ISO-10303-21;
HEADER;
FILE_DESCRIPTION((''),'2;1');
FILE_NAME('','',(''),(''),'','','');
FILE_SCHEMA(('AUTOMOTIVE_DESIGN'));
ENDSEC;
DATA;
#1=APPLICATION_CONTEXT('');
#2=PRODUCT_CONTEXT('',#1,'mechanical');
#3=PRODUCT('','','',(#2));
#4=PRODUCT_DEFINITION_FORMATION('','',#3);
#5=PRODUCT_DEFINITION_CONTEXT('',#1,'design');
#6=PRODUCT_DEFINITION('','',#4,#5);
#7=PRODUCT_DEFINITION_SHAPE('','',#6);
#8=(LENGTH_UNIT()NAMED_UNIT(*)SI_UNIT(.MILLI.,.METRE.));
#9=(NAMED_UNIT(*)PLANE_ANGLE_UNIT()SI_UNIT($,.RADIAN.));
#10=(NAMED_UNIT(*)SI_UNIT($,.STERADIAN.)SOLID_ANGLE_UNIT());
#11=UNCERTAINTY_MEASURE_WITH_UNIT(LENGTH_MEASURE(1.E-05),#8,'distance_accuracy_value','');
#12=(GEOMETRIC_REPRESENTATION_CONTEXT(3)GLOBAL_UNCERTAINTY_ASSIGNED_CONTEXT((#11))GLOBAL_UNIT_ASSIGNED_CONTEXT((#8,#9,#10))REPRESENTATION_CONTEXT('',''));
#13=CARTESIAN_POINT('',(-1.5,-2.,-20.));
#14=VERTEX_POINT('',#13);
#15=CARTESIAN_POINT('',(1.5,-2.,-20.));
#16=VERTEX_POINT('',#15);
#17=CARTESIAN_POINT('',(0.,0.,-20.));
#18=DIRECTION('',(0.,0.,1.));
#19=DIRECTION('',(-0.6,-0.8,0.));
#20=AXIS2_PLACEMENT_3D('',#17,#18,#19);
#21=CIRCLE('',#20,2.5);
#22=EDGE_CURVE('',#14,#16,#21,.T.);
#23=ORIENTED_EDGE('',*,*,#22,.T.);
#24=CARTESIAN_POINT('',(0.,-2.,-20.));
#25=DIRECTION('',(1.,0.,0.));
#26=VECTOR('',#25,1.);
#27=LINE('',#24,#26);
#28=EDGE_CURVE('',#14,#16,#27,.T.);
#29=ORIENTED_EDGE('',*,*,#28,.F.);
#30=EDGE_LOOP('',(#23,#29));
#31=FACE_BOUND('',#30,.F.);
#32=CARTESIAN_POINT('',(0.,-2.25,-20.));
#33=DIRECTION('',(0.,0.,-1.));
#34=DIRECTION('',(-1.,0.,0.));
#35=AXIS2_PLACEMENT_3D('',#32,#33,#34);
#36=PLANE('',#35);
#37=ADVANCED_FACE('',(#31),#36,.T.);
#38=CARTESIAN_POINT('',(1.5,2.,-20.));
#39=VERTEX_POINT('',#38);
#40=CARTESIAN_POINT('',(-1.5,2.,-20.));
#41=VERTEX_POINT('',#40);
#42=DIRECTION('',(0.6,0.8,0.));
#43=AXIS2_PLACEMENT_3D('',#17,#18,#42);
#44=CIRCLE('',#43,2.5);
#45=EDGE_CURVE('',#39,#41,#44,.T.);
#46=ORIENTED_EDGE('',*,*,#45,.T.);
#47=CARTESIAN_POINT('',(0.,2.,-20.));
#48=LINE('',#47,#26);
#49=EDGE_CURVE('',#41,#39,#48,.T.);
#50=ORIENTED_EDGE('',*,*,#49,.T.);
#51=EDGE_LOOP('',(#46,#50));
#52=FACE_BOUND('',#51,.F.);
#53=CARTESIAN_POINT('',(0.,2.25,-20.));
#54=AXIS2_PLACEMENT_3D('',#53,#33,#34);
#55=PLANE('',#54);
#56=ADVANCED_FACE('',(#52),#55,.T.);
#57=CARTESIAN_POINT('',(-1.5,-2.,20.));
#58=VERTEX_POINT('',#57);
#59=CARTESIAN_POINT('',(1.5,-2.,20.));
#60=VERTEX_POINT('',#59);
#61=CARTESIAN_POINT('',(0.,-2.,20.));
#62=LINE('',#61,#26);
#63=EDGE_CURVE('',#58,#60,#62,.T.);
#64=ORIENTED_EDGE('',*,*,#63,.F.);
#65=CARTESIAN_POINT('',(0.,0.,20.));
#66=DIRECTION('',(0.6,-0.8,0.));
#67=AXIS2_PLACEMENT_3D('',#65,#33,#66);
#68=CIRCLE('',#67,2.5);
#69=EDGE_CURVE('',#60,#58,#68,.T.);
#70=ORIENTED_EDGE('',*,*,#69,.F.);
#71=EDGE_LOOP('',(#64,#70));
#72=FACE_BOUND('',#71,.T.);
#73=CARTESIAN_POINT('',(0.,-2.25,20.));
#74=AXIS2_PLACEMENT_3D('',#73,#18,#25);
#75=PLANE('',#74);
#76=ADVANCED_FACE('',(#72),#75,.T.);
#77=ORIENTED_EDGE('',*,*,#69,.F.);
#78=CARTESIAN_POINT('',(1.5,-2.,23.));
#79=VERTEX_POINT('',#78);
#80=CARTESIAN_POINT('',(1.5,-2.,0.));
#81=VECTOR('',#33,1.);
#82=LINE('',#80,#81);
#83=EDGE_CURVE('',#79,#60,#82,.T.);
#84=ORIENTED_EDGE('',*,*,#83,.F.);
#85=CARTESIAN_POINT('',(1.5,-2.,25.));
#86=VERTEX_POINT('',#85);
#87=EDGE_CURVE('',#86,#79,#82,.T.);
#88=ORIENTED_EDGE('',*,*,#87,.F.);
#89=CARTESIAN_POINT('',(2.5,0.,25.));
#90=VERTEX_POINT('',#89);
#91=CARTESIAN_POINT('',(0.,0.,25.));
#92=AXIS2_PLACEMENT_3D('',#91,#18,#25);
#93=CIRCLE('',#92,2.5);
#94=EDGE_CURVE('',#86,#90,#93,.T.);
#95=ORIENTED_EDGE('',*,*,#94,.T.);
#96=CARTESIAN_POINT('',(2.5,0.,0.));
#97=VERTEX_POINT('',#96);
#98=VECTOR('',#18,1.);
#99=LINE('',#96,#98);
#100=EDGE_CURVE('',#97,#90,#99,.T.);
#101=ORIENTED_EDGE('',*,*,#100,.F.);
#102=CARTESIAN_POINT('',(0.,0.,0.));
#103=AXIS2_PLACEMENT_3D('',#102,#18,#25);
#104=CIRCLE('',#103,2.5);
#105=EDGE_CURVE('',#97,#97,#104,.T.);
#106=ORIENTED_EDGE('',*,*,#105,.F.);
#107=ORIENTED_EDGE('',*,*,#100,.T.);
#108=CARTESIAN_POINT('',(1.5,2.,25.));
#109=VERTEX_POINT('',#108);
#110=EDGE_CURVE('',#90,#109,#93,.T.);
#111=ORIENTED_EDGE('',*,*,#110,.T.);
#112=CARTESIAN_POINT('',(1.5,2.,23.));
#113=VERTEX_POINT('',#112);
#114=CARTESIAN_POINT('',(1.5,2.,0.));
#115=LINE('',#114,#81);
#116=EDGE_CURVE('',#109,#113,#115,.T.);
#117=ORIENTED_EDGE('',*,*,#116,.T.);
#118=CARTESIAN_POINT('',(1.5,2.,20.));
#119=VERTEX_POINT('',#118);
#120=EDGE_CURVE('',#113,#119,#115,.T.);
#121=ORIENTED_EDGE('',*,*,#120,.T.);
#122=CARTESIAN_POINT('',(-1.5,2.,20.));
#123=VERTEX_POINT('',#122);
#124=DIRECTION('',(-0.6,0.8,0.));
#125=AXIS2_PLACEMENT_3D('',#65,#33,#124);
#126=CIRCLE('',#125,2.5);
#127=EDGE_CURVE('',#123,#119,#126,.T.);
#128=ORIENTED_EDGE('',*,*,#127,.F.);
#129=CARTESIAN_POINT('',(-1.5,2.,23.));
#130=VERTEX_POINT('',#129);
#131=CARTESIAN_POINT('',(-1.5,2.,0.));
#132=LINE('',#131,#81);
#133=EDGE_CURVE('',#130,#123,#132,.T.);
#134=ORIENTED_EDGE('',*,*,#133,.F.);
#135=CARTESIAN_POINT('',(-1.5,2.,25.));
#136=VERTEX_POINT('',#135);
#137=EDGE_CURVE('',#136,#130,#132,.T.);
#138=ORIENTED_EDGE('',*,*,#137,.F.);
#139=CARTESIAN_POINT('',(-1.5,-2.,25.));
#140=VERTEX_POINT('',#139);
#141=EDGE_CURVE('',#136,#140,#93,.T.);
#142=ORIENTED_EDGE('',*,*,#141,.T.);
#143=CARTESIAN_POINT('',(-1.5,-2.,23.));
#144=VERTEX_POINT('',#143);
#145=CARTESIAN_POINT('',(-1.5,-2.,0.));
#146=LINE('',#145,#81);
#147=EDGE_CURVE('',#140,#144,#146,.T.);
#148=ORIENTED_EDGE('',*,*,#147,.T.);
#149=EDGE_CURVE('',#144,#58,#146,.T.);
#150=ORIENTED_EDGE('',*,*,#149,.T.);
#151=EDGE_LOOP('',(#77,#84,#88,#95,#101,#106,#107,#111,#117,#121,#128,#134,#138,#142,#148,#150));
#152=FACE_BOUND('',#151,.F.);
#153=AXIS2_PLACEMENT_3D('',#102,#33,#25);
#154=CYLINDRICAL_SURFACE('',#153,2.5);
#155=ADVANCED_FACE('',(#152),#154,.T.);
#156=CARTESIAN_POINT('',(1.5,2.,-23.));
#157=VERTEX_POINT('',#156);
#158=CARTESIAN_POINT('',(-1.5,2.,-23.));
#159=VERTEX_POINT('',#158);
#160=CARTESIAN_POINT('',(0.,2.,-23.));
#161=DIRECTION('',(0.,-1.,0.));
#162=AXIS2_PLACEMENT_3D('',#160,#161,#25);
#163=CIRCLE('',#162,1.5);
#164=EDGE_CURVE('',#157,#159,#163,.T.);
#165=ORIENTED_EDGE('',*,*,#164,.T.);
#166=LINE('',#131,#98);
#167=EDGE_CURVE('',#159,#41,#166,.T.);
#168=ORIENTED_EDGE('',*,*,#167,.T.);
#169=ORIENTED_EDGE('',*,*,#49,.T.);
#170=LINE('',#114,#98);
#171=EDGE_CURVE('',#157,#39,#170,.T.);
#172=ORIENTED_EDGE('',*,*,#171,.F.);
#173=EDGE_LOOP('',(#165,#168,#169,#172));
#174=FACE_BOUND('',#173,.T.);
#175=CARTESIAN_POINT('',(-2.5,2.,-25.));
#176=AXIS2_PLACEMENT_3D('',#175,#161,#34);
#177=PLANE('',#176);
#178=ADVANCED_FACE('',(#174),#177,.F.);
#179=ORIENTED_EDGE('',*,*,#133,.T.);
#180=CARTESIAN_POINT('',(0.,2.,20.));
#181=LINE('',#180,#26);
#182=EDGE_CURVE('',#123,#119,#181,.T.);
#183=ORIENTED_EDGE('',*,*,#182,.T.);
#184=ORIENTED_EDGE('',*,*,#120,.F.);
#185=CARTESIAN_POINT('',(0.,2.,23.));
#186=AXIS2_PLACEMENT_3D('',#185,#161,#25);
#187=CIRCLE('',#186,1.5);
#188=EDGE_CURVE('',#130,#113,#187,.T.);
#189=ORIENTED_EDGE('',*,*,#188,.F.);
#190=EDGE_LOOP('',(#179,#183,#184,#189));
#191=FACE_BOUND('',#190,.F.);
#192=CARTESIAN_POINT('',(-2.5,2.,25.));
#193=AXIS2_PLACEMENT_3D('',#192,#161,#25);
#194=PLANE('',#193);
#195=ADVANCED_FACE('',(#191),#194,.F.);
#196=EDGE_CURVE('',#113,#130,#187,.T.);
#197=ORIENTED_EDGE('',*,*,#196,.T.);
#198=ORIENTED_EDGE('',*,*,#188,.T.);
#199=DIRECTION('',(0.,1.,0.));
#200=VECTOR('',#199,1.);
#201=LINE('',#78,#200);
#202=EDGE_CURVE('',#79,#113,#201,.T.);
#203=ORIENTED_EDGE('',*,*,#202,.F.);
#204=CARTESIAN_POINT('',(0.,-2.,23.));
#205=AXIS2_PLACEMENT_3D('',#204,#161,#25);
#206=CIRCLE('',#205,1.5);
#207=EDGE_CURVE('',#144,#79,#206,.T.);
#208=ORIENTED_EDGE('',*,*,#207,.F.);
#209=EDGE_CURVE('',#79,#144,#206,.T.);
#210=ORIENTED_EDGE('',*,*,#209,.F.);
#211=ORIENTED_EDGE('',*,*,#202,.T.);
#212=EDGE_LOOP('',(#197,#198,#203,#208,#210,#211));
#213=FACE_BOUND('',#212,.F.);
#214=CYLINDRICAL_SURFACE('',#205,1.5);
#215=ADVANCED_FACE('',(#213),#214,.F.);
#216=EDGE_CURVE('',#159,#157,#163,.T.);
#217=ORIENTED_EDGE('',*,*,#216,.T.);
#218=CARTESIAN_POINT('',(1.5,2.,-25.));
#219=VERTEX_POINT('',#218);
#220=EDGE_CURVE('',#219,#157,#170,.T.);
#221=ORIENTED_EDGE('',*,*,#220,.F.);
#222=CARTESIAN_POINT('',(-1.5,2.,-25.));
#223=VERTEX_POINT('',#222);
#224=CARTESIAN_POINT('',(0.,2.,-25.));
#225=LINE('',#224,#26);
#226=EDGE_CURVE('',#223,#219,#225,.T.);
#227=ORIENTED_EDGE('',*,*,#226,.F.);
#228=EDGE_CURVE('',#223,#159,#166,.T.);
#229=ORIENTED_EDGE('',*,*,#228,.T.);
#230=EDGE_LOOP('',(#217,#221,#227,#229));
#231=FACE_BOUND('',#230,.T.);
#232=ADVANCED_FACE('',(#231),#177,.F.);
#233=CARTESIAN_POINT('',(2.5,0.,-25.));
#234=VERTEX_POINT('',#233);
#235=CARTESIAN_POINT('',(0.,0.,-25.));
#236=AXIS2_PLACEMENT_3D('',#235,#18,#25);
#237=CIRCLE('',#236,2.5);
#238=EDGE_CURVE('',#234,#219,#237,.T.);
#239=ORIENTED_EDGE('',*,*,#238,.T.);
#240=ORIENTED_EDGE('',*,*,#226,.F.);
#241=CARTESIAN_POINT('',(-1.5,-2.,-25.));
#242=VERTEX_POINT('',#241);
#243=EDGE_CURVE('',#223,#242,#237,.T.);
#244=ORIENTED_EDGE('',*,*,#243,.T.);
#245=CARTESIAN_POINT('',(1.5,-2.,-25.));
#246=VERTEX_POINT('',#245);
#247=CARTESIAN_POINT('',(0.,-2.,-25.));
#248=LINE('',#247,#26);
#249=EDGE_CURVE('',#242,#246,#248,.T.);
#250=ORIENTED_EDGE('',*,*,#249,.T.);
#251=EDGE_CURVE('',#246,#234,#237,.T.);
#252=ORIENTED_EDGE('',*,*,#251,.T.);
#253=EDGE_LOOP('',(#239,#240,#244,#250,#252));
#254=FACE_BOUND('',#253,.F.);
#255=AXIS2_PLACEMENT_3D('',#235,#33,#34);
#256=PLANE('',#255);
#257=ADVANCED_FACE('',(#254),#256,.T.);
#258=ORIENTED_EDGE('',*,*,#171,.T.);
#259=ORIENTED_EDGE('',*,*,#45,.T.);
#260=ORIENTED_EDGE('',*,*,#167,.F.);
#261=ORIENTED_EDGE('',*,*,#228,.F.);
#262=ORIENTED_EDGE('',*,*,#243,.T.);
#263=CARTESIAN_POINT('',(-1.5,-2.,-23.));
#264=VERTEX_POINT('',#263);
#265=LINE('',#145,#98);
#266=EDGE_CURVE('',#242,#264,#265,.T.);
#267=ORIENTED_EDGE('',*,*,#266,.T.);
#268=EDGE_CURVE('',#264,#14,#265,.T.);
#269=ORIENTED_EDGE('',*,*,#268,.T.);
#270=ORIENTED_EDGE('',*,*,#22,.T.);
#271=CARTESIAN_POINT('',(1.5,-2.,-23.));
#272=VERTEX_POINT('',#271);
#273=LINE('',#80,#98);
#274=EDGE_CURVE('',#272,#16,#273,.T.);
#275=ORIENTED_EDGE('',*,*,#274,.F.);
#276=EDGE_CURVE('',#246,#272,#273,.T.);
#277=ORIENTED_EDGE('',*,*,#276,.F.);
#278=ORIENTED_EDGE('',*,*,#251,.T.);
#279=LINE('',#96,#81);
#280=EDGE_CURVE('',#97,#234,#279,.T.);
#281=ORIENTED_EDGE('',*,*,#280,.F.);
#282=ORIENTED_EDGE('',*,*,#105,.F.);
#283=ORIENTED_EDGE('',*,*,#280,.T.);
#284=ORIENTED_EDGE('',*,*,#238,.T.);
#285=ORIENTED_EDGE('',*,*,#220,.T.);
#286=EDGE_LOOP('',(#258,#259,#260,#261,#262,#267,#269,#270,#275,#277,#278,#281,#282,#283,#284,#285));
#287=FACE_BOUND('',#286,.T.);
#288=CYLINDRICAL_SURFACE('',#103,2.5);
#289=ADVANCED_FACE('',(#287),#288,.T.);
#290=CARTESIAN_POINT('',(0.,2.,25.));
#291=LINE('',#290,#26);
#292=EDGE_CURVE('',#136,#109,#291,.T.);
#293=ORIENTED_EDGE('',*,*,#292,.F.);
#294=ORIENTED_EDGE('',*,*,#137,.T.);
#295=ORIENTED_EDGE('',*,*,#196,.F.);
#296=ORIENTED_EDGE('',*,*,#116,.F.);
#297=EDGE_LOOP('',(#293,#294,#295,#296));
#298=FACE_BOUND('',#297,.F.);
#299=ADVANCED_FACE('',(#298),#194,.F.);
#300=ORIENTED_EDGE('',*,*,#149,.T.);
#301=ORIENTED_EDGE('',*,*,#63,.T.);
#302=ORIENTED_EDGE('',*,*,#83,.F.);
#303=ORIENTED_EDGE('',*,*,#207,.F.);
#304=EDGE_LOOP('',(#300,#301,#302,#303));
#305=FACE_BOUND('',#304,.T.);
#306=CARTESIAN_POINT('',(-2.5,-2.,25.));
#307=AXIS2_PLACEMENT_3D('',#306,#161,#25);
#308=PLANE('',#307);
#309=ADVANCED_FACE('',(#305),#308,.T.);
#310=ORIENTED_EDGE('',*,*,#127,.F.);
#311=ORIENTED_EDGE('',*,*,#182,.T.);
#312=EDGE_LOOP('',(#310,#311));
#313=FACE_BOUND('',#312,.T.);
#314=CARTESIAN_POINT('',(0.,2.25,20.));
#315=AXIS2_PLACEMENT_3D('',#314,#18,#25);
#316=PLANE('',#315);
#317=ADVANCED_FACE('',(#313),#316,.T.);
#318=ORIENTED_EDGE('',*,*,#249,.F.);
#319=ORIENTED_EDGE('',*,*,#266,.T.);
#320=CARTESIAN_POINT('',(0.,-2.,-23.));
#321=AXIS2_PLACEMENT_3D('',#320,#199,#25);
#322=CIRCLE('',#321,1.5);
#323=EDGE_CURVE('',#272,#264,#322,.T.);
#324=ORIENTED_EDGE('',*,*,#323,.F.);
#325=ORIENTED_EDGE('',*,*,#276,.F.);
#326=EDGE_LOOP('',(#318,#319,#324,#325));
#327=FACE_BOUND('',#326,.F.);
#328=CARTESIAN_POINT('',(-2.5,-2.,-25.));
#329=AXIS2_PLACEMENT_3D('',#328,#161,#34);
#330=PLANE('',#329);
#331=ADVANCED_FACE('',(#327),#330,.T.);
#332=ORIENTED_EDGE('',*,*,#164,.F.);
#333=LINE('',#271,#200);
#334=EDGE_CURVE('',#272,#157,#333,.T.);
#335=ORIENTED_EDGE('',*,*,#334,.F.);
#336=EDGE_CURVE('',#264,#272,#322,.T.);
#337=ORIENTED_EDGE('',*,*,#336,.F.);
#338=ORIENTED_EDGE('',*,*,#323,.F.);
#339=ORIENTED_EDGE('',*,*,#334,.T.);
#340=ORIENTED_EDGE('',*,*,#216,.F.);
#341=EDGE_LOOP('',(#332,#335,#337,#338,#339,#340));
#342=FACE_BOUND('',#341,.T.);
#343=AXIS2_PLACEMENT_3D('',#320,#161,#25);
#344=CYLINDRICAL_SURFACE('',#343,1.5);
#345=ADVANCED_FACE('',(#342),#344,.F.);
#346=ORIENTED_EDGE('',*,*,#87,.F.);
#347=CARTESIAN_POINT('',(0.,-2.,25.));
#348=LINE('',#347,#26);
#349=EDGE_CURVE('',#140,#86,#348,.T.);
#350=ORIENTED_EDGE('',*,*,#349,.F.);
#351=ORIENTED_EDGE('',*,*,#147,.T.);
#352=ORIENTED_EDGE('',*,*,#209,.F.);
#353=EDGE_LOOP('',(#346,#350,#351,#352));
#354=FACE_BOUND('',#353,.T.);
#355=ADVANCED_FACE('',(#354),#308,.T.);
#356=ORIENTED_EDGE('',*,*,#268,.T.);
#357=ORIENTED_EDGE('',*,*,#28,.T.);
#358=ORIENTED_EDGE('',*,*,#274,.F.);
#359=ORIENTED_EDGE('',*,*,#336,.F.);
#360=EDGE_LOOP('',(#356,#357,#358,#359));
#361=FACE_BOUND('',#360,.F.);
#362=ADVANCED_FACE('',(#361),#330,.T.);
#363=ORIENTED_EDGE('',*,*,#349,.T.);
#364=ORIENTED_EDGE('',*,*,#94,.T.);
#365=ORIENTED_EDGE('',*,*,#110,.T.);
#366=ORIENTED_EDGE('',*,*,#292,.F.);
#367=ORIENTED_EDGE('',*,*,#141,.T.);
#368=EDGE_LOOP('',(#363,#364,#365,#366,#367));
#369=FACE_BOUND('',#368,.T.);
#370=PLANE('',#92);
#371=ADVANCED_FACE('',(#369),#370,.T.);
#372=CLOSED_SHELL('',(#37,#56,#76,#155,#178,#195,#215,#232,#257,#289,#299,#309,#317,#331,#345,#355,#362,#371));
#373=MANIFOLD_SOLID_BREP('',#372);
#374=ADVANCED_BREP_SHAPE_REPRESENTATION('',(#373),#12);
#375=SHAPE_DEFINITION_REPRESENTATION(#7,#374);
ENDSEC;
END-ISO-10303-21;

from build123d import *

# Parameters (mm, degrees)
SKETCH_R        = 2.5
PAD_DEPTH       = 25
SKETCH001_W     = 5
SKETCH001_H     = 0.5
POCKET_DEPTH    = 5
SKETCH002_R     = 1.5
POCKET001_DEPTH = 56.462524


with BuildPart() as part:
    # Sketch → Pad (new body)
    with BuildSketch(Plane.XY):
        Circle(SKETCH_R)
    pad = extrude(amount=PAD_DEPTH)

    # Sketch001 (on Face3 of Pad) → Pocket (cut)
    with BuildSketch(Plane.XY.offset(25)):
        with Locations((0, 2.25)):
            Rectangle(SKETCH001_W, SKETCH001_H)
        with Locations((0, -2.25)):
            Rectangle(SKETCH001_W, SKETCH001_H)
    pocket = extrude(amount=-POCKET_DEPTH, mode=Mode.SUBTRACT)

    # Sketch002 (on Face4 of Pocket) → Pocket001 (cut, through all)
    with BuildSketch(Plane.XZ.offset(2)):
        with Locations((0, 23)):
            Circle(SKETCH002_R)
    pocket001 = extrude(amount=-POCKET001_DEPTH, mode=Mode.SUBTRACT)

    # Mirrored: Pad across face of Pocket001
    add(pad.mirror(Plane(origin=(0, 0, 0), x_dir=(1, 0, 0), z_dir=(0, 0, -1))))

    # Mirrored001: Pocket across XY
    add(pocket.mirror(Plane.XY), mode=Mode.SUBTRACT)

    # Mirrored002: Pocket001 across XY
    add(pocket001.mirror(Plane.XY), mode=Mode.SUBTRACT)


solid = part.part
